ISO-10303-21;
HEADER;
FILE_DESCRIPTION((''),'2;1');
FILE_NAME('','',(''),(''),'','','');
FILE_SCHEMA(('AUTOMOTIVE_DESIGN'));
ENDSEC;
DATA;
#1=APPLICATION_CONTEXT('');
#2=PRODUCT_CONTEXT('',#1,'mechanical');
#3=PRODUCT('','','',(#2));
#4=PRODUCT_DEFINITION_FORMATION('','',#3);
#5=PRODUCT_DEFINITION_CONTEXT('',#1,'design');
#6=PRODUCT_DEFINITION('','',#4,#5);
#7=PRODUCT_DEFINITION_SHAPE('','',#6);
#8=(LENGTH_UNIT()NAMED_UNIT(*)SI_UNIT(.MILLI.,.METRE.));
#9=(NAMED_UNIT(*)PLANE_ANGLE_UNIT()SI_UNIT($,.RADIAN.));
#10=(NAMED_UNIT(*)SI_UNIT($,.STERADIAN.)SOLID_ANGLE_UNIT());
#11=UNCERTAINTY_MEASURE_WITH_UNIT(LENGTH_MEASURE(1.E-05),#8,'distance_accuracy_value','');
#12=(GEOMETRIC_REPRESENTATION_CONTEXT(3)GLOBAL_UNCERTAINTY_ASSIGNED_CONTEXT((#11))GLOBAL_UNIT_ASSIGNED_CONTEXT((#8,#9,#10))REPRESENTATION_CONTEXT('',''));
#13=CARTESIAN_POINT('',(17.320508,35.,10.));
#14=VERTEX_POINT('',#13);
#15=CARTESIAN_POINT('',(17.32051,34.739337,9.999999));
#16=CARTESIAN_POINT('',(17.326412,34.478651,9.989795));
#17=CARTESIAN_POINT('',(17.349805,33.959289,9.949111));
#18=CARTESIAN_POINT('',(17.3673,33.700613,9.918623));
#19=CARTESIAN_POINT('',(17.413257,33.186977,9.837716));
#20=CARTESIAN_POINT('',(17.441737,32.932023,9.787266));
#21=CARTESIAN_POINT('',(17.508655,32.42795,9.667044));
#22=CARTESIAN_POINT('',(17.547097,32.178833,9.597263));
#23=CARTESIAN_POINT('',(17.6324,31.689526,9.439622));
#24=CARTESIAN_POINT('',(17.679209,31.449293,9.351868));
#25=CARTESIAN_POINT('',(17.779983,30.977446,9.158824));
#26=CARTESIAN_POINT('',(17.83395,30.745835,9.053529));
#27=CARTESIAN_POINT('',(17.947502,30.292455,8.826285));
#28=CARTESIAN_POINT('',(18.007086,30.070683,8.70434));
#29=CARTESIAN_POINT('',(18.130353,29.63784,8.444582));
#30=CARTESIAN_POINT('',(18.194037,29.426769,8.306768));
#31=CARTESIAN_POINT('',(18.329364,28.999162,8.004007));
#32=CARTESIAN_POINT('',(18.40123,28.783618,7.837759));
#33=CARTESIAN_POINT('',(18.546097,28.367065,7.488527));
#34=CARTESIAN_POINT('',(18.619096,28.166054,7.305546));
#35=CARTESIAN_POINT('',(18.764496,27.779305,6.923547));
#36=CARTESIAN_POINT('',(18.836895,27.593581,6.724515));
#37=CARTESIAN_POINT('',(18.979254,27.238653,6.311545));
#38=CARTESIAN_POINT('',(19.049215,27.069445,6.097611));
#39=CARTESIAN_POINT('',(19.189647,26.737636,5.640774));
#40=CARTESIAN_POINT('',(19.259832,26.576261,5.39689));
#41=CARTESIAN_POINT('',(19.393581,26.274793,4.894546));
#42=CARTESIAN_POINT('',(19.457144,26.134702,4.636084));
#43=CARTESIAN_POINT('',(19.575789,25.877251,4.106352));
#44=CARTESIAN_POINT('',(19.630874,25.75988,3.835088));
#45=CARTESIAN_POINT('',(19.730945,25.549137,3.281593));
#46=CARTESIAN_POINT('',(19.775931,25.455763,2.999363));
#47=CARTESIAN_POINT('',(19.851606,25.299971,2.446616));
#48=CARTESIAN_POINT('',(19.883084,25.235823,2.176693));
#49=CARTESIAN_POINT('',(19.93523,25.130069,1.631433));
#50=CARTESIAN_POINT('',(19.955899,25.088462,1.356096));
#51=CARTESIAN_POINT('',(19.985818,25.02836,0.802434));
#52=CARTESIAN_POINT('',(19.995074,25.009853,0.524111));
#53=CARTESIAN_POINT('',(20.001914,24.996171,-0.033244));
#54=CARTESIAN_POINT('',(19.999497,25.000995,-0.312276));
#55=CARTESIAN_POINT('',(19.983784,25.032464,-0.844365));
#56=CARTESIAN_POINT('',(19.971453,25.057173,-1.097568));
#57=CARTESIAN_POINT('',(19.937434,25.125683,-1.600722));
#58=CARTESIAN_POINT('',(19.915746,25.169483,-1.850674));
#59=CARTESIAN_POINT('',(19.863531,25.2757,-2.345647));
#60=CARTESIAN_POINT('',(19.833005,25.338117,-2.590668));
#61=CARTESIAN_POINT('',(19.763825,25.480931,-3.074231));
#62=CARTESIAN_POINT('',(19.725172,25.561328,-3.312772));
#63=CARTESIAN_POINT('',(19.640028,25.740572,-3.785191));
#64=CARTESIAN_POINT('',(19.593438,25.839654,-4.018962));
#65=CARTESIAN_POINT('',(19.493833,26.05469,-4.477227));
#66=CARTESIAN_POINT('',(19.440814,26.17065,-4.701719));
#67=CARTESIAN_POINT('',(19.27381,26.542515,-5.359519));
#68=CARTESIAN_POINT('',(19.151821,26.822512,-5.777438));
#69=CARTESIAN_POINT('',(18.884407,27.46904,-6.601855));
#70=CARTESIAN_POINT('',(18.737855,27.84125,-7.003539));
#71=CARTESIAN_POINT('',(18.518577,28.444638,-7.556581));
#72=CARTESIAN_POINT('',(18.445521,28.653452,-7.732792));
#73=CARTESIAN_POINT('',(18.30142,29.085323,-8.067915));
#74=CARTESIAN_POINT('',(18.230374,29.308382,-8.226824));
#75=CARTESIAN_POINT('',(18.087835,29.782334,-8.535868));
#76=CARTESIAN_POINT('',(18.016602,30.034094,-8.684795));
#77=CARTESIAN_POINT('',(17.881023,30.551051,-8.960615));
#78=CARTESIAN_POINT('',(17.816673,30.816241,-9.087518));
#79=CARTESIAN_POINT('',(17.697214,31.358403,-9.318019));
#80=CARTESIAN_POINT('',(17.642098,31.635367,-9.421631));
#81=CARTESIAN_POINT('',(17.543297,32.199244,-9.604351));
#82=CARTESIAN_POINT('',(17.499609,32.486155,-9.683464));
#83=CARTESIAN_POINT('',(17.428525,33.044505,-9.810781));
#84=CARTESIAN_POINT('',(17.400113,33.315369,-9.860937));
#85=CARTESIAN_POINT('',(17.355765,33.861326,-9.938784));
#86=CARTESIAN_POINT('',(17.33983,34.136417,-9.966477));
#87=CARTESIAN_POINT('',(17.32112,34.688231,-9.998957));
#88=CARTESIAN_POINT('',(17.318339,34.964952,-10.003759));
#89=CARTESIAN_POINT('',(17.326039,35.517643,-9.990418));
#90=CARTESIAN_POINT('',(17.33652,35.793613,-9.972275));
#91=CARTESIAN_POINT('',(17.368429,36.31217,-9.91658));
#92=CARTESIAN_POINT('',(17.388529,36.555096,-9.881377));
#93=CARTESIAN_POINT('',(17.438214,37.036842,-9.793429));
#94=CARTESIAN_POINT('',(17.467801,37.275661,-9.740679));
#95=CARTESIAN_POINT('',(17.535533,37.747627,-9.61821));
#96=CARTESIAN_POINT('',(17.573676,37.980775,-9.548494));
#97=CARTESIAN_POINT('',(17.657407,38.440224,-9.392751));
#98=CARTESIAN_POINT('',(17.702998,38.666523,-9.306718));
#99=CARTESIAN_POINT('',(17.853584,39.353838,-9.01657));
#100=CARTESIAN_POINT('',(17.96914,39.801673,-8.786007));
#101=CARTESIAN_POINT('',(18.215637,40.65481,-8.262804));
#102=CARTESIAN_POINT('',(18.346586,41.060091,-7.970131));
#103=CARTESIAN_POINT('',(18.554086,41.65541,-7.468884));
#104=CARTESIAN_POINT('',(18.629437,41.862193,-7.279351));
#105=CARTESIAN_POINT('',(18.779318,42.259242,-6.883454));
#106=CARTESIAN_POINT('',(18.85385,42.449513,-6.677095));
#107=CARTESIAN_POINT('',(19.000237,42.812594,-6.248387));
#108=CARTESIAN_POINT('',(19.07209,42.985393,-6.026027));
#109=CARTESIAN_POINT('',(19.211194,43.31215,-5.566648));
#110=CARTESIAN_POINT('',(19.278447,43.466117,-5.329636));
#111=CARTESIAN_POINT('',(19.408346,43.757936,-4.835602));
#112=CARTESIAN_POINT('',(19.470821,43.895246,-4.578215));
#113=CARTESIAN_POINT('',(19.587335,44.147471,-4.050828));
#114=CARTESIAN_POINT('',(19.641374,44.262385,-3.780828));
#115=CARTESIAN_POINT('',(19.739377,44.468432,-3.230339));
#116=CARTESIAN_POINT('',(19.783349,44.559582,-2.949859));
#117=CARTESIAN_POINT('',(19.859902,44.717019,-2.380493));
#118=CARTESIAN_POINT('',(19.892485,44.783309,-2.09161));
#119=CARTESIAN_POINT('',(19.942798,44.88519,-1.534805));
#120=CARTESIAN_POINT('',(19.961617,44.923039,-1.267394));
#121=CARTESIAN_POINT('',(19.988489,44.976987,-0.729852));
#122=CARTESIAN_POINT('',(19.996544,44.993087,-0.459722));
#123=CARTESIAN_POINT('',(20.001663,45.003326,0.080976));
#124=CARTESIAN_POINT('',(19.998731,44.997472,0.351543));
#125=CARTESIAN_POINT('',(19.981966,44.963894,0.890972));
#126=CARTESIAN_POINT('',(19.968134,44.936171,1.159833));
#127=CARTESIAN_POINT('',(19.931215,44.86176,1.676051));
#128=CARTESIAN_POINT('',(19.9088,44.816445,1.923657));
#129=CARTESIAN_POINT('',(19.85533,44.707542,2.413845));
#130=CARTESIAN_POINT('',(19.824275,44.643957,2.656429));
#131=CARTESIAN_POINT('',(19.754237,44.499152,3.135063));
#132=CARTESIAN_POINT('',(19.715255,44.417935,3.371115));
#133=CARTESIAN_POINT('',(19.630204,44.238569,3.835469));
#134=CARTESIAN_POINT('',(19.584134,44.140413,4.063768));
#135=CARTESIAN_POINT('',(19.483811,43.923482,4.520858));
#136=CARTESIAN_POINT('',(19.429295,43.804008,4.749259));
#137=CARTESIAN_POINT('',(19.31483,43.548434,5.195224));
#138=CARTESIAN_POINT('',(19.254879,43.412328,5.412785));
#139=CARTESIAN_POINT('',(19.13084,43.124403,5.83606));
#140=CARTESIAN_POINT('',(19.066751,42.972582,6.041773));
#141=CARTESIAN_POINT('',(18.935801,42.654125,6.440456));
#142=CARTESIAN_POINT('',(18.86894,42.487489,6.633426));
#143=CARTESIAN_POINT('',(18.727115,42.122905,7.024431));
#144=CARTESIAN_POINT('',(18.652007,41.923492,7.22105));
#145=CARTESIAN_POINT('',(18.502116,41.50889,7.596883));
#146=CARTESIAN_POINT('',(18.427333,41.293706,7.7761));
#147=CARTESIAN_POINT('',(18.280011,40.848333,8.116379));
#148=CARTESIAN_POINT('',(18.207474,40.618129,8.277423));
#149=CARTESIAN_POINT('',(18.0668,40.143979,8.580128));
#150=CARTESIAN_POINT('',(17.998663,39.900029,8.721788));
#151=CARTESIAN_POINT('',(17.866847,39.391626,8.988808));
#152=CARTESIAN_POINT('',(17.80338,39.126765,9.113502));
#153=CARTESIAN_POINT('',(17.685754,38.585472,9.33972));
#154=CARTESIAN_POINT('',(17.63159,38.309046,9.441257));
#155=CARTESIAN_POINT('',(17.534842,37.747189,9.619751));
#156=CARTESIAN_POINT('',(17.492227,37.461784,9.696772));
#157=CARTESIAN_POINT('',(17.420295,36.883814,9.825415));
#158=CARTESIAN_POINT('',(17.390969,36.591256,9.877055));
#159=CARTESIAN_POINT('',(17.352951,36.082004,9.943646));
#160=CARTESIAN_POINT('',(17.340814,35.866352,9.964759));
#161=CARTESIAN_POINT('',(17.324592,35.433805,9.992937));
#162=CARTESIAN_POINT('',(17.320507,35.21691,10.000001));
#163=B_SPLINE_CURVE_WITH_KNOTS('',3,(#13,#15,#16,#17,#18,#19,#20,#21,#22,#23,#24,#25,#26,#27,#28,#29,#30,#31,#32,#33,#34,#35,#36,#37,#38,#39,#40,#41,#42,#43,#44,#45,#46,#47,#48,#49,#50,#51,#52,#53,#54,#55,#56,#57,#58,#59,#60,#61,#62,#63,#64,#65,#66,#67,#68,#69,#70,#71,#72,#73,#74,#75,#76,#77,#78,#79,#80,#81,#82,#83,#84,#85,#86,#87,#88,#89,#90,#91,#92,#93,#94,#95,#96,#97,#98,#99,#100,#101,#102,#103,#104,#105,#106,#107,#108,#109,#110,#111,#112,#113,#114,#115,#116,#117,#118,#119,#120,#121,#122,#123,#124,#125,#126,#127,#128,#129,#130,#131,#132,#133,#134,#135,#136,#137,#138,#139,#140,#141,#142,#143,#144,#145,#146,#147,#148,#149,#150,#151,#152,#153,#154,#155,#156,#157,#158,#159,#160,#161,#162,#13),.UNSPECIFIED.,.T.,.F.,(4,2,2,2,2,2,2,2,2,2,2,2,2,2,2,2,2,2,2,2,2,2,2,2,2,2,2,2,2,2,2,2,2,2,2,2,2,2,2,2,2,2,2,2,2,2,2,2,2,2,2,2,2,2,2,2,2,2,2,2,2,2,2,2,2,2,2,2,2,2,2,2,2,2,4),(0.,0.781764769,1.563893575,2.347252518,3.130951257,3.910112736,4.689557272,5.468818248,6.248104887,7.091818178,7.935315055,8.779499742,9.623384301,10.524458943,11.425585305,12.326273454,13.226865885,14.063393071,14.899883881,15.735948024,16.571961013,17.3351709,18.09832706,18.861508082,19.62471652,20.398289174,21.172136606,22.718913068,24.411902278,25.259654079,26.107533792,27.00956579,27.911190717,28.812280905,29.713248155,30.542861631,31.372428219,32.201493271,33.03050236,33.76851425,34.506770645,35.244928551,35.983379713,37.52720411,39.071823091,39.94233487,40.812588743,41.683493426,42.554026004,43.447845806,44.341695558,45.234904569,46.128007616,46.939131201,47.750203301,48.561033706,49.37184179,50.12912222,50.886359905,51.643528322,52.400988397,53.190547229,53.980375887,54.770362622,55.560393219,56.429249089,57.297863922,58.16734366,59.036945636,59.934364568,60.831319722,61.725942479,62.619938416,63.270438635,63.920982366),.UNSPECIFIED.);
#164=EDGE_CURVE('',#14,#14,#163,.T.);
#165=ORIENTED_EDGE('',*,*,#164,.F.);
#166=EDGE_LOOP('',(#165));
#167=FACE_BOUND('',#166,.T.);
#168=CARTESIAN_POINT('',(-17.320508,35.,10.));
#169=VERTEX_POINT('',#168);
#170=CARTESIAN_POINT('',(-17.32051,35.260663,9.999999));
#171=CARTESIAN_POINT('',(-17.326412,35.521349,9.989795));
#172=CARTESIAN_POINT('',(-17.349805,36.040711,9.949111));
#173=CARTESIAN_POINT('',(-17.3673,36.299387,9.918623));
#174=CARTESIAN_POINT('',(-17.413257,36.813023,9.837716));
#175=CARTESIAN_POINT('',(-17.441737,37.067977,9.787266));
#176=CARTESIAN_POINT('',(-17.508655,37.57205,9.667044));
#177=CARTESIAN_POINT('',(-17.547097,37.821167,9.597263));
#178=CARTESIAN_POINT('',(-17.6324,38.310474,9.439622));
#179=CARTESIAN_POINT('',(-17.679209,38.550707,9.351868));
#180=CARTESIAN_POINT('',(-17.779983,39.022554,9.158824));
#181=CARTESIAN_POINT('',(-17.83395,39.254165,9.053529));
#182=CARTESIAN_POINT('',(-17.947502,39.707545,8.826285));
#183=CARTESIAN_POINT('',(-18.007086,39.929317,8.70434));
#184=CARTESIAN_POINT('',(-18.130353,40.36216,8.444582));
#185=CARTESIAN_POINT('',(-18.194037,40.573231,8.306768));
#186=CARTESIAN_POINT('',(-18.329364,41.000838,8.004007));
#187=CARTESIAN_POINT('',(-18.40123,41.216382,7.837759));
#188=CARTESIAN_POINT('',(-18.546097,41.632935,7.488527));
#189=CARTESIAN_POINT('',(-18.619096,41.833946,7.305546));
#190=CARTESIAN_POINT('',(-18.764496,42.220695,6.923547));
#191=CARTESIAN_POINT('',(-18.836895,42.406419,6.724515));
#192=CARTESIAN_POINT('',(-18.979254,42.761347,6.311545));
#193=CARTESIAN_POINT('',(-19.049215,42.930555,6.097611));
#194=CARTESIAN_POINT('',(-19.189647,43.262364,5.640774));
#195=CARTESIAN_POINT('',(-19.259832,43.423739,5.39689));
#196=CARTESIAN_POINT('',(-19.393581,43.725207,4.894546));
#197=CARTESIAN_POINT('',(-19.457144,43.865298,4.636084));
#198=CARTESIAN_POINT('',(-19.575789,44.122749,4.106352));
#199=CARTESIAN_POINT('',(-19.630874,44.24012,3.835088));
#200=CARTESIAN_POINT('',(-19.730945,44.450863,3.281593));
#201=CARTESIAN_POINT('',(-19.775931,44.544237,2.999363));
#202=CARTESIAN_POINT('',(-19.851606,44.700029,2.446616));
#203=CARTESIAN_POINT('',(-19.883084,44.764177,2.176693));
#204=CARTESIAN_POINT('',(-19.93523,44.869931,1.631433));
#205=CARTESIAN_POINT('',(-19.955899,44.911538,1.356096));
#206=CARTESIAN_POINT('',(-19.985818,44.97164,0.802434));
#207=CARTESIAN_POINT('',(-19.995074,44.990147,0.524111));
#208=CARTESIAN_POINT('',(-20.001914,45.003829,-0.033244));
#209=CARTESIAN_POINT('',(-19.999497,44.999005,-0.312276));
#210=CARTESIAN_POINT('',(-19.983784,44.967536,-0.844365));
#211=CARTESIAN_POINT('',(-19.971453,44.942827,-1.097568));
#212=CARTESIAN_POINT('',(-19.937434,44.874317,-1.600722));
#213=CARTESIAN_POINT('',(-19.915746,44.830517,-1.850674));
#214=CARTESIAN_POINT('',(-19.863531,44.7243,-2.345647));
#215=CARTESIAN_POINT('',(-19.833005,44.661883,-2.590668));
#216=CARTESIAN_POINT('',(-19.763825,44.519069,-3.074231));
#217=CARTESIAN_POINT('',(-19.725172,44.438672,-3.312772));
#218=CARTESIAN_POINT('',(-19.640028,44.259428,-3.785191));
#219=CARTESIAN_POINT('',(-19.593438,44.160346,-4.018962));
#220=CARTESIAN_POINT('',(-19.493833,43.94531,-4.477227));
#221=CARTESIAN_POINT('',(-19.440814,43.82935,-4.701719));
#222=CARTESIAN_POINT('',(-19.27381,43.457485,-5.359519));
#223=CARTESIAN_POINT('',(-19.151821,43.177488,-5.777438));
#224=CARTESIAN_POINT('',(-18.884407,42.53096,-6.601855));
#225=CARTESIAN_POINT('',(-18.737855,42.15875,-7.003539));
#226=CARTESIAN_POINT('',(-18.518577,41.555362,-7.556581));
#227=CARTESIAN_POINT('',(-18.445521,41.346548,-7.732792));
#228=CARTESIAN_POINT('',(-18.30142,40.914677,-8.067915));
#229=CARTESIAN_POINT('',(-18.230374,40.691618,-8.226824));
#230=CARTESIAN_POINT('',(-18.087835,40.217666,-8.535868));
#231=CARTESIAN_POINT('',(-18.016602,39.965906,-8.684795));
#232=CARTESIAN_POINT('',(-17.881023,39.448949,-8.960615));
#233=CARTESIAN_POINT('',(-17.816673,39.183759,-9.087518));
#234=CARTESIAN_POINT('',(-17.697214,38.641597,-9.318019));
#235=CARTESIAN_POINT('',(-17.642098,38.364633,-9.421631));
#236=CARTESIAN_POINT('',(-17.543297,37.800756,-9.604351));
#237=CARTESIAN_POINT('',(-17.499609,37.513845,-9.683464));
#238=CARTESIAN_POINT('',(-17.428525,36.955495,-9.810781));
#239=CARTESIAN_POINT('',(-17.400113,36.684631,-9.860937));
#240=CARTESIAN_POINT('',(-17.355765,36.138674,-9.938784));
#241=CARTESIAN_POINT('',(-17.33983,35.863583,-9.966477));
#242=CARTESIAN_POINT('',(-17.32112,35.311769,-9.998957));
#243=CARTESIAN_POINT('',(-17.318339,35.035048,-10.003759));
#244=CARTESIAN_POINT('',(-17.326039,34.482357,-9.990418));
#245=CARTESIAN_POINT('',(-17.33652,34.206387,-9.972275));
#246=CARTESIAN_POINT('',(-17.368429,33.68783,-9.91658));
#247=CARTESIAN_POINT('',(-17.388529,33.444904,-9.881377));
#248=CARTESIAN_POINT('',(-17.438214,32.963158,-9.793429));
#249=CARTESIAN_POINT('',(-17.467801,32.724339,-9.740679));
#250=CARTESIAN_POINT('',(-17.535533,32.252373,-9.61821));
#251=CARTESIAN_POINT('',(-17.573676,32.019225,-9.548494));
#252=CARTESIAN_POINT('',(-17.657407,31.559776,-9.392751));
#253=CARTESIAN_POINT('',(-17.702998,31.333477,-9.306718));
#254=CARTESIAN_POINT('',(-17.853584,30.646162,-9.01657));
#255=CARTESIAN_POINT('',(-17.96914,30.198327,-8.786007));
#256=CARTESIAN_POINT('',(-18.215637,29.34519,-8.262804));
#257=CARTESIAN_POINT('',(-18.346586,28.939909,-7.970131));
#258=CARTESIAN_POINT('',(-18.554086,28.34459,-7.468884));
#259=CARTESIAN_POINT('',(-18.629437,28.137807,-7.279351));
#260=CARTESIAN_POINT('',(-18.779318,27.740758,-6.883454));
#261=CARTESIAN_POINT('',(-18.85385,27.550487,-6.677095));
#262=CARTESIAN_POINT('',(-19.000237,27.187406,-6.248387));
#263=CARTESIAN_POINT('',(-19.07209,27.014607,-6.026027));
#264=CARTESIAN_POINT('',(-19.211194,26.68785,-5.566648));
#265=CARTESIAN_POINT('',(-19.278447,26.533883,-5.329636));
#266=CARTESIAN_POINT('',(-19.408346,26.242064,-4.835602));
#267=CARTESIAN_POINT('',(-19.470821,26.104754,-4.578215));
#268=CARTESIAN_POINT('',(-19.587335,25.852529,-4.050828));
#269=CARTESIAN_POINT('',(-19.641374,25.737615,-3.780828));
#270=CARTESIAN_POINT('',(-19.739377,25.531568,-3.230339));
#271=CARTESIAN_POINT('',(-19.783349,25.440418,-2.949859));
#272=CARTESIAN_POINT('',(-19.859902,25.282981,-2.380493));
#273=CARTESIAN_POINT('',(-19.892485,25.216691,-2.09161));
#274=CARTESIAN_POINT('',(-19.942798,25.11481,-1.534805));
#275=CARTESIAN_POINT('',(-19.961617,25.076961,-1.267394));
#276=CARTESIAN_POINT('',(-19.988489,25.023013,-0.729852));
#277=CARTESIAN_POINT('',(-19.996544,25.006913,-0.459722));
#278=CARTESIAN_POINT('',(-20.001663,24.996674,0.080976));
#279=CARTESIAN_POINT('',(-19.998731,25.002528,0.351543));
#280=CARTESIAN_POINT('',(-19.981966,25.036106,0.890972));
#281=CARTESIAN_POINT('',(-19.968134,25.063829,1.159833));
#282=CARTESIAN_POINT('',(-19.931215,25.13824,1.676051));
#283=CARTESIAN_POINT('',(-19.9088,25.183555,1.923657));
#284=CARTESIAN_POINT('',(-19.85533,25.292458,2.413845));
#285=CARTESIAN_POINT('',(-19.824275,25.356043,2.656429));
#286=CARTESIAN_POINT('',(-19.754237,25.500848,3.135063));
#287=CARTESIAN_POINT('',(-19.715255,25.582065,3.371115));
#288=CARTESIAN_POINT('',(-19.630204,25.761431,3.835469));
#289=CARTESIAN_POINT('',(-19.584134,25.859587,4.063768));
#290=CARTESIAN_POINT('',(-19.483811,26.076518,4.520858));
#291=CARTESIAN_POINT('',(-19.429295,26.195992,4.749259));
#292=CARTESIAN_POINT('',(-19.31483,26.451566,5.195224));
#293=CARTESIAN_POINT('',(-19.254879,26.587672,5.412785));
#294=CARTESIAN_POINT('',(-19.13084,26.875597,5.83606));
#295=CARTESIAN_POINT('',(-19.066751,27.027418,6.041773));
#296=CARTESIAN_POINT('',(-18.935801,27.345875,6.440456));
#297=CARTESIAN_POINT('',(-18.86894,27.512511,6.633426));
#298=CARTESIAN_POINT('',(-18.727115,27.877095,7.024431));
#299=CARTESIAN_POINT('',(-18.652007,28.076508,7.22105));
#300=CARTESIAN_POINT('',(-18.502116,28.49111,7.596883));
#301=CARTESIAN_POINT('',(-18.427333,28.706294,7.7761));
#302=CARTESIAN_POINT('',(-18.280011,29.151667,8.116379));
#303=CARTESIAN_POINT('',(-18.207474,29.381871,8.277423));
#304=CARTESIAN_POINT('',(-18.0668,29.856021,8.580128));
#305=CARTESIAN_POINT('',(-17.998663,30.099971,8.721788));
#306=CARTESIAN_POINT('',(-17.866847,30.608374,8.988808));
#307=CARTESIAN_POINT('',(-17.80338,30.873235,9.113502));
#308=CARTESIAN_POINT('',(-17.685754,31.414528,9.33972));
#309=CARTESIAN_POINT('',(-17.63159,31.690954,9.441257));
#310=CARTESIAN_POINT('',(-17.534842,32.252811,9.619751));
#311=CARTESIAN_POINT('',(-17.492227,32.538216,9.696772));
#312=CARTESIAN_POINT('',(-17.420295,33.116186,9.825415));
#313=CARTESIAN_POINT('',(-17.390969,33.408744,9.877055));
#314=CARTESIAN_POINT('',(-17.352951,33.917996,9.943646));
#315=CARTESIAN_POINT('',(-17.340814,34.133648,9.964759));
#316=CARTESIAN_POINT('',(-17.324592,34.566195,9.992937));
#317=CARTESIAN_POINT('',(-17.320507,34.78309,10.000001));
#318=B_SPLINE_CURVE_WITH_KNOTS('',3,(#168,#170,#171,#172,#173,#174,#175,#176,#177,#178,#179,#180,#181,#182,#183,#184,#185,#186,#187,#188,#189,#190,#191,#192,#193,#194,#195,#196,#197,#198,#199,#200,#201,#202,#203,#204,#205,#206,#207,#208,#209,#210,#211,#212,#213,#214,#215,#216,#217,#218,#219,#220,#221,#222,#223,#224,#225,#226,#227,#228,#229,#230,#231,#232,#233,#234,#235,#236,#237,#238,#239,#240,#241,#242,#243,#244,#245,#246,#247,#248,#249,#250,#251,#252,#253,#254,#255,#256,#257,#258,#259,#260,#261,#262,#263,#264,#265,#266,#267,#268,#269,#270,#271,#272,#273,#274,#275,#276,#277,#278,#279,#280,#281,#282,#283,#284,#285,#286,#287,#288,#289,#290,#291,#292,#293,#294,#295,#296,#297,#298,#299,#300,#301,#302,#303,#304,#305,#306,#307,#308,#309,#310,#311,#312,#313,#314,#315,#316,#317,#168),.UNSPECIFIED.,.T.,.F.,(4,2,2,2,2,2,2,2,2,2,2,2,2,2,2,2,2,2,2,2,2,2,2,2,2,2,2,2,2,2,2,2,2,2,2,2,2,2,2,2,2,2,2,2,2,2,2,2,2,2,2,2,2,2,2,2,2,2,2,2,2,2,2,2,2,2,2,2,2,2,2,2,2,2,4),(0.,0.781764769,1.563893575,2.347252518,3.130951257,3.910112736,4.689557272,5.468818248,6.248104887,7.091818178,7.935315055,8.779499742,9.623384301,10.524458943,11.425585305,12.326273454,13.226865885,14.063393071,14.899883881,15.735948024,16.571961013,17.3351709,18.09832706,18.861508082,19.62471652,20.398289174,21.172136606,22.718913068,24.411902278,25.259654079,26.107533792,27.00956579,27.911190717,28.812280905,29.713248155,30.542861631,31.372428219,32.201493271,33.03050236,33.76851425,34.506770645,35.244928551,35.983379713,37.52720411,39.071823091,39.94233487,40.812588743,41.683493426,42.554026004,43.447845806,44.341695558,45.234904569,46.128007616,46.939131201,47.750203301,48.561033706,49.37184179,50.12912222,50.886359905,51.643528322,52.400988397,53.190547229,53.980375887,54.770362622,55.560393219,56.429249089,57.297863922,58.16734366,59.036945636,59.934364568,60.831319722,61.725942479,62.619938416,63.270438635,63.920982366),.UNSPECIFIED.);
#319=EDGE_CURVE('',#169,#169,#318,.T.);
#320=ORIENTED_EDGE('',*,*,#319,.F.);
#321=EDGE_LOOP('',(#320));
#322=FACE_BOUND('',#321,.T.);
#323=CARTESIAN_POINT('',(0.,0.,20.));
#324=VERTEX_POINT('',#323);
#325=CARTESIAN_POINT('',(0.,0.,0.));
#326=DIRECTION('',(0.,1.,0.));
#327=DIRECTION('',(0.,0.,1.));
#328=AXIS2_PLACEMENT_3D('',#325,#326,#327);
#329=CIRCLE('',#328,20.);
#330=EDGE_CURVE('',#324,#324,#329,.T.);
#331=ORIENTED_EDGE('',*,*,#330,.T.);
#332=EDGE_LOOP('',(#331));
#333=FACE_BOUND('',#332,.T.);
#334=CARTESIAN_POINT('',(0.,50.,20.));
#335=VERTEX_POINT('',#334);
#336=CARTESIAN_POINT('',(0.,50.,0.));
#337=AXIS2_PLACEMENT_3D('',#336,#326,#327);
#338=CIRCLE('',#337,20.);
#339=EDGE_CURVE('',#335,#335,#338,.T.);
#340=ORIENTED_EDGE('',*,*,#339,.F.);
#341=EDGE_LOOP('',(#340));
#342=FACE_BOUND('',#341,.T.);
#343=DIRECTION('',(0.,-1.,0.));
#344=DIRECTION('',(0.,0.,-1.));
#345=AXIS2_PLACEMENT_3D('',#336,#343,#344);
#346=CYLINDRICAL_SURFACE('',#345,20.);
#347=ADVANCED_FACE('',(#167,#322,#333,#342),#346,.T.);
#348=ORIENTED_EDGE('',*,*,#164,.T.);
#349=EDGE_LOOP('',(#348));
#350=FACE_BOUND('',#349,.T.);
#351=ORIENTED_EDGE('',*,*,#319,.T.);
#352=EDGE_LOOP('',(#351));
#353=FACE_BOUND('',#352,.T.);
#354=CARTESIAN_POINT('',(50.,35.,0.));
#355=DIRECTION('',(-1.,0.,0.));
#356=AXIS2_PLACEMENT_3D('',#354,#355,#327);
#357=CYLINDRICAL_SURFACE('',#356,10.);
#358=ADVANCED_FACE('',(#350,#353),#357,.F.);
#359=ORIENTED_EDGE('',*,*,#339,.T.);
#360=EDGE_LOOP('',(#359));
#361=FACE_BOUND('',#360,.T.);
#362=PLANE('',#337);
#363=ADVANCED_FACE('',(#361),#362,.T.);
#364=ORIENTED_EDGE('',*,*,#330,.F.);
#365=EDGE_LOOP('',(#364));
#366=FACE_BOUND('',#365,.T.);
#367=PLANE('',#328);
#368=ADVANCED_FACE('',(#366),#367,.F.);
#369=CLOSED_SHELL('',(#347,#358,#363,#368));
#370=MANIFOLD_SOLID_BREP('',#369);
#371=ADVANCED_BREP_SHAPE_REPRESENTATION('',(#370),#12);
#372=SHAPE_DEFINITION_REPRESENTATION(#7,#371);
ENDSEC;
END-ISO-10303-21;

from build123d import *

# Parameters (mm, degrees)
SKETCH1_R               = 20
BOSS_EXTRUDE1_DEPTH     = 50
CUT_EXTRUDE1_DEPTH      = 50
CUT_EXTRUDE1_DEPTH_BACK = 50
SKETCH2_R               = 10


with BuildPart() as part:
    # Sketch1 → Boss-Extrude1 (new body)
    with BuildSketch(Plane(origin=(0, 0, 0), x_dir=(1, 0, 0), z_dir=(0, 1, 0))):
        Circle(SKETCH1_R)
    extrude(amount=BOSS_EXTRUDE1_DEPTH)

    # Sketch2 → Cut-Extrude1 (cut, two sides: drawn at the far end of the back side and taken through both)
    with BuildSketch(Plane(origin=(0, 0, 0), x_dir=(0, 0, -1), z_dir=(1, 0, 0)).offset(-CUT_EXTRUDE1_DEPTH_BACK)):
        with Locations((0, 35)):
            Circle(SKETCH2_R)
    extrude(amount=CUT_EXTRUDE1_DEPTH + CUT_EXTRUDE1_DEPTH_BACK, mode=Mode.SUBTRACT)


solid = part.part
